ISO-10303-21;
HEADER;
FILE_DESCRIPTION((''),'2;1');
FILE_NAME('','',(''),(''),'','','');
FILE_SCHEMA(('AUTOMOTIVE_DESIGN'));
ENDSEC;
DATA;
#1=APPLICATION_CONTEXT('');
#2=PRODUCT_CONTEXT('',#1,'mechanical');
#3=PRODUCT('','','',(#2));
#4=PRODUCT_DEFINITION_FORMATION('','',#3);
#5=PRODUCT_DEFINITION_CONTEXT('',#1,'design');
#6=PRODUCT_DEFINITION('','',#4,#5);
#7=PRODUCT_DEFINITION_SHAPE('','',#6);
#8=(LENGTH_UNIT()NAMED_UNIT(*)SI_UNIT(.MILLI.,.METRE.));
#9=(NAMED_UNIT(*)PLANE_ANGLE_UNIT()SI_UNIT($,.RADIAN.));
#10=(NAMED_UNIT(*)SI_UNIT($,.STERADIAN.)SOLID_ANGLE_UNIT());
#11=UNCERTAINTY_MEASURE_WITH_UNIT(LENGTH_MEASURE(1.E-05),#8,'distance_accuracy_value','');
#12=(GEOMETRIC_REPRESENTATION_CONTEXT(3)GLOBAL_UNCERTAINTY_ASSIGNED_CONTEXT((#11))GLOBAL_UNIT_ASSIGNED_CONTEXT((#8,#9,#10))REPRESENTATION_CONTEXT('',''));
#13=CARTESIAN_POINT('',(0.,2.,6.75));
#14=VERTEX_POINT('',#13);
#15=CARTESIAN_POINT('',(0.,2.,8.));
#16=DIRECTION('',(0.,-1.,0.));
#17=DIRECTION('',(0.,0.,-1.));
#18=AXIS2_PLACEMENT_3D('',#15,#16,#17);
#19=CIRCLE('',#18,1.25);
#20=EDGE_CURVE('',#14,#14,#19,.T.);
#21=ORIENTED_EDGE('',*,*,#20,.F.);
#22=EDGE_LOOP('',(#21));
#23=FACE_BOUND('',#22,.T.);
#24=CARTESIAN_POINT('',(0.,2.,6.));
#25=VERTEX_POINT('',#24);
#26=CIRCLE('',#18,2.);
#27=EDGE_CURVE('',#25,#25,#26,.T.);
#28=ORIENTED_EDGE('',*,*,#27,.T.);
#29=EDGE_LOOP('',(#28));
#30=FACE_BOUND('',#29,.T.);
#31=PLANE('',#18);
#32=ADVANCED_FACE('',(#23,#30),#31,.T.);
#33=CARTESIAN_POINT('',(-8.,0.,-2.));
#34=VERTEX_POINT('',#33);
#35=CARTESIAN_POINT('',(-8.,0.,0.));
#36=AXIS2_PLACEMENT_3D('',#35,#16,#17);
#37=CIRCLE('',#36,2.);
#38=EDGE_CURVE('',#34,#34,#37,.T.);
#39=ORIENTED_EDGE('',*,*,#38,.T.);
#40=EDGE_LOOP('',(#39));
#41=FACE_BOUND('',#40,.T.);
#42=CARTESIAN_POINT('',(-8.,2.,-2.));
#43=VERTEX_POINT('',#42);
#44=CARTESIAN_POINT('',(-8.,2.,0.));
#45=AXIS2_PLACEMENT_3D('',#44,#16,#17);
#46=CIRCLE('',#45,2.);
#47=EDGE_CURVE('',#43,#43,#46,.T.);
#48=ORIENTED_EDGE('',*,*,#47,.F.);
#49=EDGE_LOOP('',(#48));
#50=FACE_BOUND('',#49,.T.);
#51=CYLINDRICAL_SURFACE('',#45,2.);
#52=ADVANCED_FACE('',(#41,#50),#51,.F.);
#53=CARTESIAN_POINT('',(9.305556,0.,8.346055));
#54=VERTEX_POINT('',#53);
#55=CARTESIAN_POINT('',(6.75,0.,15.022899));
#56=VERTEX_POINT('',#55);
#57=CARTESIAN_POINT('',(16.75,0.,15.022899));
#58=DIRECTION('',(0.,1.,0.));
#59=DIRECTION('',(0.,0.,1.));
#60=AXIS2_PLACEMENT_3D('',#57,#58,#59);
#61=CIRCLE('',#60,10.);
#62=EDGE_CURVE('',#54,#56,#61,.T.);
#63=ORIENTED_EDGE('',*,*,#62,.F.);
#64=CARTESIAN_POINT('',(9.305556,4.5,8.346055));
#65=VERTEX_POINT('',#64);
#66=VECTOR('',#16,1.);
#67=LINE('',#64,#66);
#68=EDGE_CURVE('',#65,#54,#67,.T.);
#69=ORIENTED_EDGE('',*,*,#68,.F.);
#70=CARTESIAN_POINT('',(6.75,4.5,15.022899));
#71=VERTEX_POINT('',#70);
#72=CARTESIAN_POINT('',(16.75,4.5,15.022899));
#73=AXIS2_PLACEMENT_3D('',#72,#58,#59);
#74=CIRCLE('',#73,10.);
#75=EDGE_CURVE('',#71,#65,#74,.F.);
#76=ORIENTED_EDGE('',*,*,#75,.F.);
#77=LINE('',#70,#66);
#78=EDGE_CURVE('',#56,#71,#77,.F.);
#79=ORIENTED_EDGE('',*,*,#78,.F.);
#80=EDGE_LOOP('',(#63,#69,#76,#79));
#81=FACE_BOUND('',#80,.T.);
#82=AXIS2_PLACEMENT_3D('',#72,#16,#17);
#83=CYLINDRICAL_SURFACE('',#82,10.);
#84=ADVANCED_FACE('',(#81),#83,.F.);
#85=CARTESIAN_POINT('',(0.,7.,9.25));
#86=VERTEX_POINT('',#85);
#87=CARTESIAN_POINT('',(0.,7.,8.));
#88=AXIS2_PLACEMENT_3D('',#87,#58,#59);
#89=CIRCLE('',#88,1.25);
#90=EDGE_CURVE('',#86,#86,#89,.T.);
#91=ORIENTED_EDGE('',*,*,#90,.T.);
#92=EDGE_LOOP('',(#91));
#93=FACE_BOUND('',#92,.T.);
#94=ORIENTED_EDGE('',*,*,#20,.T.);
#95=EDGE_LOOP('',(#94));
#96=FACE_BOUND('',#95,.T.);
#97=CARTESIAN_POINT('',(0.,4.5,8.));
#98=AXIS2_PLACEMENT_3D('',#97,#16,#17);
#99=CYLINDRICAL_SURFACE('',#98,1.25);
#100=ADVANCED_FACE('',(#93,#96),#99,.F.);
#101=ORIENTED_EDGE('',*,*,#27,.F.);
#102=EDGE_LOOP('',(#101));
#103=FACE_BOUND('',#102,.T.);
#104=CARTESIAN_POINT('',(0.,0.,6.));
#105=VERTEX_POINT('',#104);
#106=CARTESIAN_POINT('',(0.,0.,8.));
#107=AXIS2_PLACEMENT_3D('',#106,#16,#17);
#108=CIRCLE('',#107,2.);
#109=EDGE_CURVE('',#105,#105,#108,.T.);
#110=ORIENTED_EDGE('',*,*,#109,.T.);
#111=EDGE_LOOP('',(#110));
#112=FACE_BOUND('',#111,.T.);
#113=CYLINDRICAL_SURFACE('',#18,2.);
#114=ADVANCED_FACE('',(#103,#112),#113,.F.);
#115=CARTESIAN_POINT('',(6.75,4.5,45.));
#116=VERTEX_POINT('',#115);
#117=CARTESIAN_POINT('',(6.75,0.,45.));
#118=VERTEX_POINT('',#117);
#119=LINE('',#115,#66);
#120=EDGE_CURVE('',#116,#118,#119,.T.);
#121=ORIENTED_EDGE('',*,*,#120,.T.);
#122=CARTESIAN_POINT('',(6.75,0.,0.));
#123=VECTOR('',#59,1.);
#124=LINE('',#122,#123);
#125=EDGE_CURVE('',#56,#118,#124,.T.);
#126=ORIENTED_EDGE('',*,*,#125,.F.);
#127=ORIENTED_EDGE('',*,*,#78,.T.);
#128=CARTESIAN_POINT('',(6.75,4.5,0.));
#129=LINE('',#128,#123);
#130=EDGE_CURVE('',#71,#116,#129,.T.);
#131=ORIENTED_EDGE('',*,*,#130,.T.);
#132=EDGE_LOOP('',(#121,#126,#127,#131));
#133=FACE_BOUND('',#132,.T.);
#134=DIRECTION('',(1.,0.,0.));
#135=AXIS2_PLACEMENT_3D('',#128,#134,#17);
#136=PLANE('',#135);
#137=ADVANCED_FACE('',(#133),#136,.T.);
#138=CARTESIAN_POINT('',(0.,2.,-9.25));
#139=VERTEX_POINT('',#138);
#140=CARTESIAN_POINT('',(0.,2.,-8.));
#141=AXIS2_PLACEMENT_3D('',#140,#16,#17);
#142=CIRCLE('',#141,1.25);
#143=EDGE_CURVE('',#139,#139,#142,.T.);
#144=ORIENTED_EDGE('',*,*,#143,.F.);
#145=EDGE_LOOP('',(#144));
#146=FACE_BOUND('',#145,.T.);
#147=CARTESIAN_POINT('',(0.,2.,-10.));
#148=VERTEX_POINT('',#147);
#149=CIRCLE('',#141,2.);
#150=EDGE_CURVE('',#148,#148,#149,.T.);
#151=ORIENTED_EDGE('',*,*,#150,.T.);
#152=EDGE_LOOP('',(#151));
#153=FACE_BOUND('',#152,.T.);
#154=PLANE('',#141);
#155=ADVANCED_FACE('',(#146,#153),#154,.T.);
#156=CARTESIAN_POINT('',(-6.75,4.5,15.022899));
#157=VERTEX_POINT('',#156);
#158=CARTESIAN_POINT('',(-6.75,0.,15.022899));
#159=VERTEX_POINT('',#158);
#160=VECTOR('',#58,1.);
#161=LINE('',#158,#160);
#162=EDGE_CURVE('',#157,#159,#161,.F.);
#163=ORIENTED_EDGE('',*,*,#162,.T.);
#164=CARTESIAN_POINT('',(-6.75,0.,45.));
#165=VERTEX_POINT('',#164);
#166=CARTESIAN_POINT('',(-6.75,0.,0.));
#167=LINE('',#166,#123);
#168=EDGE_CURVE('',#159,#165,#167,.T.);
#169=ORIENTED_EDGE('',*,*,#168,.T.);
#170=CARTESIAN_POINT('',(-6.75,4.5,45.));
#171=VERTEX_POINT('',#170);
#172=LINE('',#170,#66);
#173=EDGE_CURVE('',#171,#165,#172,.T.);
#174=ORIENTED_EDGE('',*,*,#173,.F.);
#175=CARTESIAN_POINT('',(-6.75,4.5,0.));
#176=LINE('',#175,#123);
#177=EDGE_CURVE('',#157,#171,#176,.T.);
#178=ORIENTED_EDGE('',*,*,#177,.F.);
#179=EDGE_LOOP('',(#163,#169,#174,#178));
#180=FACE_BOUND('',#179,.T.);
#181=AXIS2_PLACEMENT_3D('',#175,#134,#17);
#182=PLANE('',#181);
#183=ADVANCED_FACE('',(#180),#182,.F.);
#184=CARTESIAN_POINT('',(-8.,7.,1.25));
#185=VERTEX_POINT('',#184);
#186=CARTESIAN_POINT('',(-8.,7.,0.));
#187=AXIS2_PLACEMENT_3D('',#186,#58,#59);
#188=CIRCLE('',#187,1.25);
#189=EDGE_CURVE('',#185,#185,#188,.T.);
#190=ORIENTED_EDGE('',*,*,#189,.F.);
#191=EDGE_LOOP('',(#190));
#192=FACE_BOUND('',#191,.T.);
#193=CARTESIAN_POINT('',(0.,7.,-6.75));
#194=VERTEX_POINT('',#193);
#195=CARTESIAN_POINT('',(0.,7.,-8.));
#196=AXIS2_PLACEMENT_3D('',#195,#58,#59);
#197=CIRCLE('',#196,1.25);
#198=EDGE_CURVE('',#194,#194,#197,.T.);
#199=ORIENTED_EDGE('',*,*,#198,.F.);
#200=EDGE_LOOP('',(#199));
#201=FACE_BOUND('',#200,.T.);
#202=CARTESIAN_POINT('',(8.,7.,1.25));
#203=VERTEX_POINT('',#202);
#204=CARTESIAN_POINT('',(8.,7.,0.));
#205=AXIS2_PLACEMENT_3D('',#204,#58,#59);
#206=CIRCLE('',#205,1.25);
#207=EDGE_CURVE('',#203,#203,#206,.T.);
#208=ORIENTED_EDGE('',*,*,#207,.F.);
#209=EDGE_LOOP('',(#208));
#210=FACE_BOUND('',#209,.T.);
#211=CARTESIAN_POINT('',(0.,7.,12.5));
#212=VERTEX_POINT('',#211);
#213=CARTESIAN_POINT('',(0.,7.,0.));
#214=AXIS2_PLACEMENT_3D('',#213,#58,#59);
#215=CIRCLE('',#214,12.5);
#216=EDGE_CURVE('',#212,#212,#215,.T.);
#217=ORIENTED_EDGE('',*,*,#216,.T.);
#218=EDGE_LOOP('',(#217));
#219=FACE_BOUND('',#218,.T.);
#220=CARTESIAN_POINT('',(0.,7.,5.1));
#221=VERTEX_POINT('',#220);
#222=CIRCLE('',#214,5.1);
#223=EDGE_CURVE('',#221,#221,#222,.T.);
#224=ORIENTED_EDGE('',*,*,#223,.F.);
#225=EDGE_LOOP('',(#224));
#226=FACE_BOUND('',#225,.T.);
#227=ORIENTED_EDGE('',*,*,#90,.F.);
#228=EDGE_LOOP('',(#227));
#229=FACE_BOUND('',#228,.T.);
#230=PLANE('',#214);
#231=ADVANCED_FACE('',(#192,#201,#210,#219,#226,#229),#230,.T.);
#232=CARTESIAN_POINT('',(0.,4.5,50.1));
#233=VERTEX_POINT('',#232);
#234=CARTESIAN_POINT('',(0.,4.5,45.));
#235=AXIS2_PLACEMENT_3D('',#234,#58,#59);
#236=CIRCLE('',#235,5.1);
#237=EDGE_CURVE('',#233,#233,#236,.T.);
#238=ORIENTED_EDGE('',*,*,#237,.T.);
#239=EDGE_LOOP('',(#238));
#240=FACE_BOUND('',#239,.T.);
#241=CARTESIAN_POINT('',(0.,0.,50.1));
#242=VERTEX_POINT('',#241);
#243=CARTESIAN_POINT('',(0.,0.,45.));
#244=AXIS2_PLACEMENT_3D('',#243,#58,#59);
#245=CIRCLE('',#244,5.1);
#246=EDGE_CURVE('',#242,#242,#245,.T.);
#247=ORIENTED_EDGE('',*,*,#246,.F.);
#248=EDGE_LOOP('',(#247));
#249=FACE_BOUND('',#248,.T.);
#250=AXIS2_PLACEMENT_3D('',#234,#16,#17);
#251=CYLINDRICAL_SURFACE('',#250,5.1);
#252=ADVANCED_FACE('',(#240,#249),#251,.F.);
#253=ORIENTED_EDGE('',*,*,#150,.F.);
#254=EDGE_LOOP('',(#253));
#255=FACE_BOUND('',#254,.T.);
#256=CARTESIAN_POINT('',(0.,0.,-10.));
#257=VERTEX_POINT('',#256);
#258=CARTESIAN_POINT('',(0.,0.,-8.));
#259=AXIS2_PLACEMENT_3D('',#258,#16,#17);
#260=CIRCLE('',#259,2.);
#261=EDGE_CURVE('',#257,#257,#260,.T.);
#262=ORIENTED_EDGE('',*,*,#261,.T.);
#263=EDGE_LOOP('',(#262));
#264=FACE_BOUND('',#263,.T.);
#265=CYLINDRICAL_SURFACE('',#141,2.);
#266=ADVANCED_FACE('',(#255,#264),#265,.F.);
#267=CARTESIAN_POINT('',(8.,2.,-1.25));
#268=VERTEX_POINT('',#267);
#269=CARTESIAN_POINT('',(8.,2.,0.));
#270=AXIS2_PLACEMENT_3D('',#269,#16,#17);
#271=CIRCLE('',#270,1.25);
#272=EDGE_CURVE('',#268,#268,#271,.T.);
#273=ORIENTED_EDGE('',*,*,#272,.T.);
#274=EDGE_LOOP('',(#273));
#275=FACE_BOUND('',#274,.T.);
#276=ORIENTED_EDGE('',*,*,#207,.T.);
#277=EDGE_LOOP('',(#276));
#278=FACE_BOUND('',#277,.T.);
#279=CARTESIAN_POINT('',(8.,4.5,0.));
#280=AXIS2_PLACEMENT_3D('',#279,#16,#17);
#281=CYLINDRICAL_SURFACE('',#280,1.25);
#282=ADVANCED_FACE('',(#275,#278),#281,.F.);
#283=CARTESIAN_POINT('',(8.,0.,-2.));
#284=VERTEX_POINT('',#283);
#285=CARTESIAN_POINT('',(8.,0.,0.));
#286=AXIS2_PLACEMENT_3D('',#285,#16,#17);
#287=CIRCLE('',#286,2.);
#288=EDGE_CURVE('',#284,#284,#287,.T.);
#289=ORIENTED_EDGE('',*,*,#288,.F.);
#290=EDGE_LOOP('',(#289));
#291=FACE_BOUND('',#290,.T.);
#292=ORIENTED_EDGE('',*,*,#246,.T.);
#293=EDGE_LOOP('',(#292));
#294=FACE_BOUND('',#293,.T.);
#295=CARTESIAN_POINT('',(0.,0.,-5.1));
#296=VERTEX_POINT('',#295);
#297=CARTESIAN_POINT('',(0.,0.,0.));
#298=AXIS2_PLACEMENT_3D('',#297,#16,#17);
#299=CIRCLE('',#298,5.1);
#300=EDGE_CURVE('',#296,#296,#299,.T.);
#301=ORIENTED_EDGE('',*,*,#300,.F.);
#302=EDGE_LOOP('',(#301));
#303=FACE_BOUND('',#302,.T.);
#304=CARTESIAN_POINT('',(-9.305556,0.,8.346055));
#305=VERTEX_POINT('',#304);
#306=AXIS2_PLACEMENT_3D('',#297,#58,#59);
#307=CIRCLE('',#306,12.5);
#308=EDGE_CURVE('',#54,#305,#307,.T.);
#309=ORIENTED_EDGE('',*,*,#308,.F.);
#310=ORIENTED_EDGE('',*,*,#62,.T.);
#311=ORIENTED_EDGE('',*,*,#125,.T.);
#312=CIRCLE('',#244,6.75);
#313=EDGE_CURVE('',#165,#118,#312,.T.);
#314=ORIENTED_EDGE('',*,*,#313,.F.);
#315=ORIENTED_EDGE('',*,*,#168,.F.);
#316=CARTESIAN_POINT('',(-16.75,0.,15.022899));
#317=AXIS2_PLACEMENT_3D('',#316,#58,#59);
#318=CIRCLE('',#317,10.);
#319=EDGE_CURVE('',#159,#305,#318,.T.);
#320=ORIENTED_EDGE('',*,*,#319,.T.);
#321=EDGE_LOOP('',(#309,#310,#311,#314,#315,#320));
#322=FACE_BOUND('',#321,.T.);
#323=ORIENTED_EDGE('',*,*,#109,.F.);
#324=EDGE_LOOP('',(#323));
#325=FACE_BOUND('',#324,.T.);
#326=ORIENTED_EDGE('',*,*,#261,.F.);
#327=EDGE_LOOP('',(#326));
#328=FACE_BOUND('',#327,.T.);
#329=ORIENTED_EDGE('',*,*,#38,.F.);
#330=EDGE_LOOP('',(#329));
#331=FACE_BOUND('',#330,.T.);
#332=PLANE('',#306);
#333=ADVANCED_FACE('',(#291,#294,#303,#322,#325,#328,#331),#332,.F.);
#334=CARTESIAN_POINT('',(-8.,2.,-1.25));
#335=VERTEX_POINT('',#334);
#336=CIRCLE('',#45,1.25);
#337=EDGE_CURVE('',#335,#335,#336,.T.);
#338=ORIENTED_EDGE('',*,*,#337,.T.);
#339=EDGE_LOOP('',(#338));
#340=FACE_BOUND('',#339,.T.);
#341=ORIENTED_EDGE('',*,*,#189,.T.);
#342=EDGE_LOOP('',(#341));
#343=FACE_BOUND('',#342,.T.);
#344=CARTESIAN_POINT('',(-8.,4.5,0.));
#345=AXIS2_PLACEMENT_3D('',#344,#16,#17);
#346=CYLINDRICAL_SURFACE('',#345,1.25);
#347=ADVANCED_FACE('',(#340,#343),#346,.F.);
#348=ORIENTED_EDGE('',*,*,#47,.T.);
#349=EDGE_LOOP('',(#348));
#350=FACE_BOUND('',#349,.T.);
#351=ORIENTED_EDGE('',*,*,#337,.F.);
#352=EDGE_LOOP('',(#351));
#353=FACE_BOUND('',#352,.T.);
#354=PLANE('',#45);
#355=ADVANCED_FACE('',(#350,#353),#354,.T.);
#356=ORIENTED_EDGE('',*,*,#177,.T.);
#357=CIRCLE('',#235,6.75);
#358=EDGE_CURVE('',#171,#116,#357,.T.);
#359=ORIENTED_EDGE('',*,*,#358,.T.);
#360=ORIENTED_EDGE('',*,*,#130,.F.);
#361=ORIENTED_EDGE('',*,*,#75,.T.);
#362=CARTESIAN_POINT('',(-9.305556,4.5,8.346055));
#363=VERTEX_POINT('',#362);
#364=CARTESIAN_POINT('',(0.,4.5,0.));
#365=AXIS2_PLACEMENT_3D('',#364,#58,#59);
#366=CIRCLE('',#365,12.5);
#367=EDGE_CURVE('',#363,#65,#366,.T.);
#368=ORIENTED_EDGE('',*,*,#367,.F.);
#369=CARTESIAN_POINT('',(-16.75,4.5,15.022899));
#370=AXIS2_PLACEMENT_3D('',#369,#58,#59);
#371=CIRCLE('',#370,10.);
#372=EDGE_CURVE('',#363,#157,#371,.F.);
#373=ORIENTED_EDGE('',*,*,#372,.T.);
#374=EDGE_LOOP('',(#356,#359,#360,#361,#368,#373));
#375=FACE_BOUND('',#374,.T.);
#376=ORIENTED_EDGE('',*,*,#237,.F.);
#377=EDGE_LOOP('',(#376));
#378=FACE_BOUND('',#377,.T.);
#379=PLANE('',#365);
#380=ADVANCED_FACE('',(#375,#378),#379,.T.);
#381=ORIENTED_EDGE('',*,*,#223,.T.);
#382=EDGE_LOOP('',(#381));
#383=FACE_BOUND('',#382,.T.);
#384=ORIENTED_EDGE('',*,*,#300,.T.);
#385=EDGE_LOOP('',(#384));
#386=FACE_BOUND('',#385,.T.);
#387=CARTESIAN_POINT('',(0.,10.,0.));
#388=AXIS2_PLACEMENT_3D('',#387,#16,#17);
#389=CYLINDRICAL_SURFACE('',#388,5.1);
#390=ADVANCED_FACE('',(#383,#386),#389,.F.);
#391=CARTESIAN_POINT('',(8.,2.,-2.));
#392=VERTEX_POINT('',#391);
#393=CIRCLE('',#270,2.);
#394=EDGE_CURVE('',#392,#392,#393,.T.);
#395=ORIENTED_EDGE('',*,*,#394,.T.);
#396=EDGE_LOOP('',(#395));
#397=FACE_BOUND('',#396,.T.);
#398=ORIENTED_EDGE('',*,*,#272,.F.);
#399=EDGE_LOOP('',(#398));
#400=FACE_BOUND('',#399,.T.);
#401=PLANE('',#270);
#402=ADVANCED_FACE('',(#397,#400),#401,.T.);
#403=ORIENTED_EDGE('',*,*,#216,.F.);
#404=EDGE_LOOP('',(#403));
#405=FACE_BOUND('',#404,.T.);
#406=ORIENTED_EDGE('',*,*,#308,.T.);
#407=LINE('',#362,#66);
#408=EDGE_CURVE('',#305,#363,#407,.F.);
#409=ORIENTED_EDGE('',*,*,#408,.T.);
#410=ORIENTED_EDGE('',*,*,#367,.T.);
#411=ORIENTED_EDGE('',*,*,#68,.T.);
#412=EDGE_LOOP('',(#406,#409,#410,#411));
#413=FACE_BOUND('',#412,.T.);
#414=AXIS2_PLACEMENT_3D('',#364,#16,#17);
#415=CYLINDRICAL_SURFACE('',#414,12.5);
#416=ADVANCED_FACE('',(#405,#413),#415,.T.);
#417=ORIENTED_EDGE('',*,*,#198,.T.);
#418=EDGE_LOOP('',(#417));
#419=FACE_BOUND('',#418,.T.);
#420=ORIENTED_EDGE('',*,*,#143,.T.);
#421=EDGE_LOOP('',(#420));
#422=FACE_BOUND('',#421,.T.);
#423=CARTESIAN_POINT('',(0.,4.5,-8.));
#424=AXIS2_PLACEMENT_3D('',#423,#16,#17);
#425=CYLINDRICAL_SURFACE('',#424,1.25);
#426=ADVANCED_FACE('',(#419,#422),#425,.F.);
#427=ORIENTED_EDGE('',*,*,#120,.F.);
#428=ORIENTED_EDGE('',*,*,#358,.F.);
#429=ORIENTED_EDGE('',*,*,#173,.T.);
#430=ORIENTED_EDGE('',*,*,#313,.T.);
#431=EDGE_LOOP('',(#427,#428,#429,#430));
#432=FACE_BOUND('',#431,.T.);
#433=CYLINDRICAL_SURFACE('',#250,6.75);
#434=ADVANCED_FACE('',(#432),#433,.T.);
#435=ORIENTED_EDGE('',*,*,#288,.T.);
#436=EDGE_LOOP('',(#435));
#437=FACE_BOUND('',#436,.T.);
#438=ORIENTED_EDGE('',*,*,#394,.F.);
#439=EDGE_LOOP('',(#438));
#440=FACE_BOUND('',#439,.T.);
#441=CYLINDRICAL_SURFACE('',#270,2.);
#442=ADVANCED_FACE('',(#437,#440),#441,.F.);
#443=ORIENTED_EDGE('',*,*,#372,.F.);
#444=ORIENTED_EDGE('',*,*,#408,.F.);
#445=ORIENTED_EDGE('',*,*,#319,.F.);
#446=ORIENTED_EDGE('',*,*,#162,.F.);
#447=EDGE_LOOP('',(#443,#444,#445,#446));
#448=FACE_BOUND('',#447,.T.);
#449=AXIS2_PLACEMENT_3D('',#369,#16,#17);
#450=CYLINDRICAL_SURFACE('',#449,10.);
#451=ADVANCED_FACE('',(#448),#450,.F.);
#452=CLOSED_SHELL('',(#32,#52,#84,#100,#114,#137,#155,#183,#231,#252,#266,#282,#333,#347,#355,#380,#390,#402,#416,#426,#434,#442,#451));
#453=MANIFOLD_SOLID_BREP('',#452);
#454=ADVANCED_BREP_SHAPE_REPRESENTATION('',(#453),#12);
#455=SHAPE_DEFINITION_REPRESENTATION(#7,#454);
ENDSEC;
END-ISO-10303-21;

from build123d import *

# Parameters (mm, degrees)
SKETCH2_R           = 1.25
SKETCH2_R_2         = 5.1
BOSS_EXTRUDE2_DEPTH = 4.5
FILLET1_R           = 10
SKETCH4_R           = 2
CUT_EXTRUDE1_DEPTH  = 2
SKETCH5_R           = 12.5
SKETCH5_R_2         = 1.25
BOSS_EXTRUDE3_DEPTH = 2.5
SKETCH8_R           = 5.1
CUT_EXTRUDE5_DEPTH  = 10


with BuildPart() as part:
    # Sketch2 → Boss-Extrude2 (new body)
    with BuildSketch(Plane(origin=(0, 0, 0), x_dir=(1, 0, 0), z_dir=(0, 1, 0))):
        with BuildLine():
            Line((6.75, -45), (6.75, -10.520812706))
            ThreePointArc((6.75, -10.520812706), (0, 12.5), (-6.75, -10.520812706))
            Line((-6.75, -10.520812706), (-6.75, -45))
            ThreePointArc((-6.75, -45), (0, -51.75), (6.75, -45))
        make_face()
        with Locations((8, 0)):
            Circle(SKETCH2_R, mode=Mode.SUBTRACT)
        with Locations((0, -8)):
            Circle(SKETCH2_R, mode=Mode.SUBTRACT)
        with Locations((-8, 0)):
            Circle(SKETCH2_R, mode=Mode.SUBTRACT)
        with Locations((0, 8)):
            Circle(SKETCH2_R, mode=Mode.SUBTRACT)
        with Locations((0, -45)):
            Circle(SKETCH2_R_2, mode=Mode.SUBTRACT)
    extrude(amount=BOSS_EXTRUDE2_DEPTH)

    # Fillet1
    fillet1_edges = [part.edges().sort_by_distance(p)[0] for p in [
        (-6.75, 2.25, 10.520812706),
        (6.75, 2.25, 10.520812706),
    ]]
    fillet(fillet1_edges, radius=FILLET1_R)

    # Sketch4 → Cut-Extrude1 (cut)
    with BuildSketch(Plane.XZ):
        with Locations((0, 8)):
            Circle(SKETCH4_R)
        with Locations((-8, 0)):
            Circle(SKETCH4_R)
        with Locations((8, 0)):
            Circle(SKETCH4_R)
        with Locations((0, -8)):
            Circle(SKETCH4_R)
    extrude(amount=-CUT_EXTRUDE1_DEPTH, mode=Mode.SUBTRACT)

    # Sketch5 → Boss-Extrude3 (add)
    with BuildSketch(Plane(origin=(0, 4.5, 0), x_dir=(1, 0, 0), z_dir=(0, 1, 0))):
        Circle(SKETCH5_R)
        with Locations((8, 0)):
            Circle(SKETCH5_R_2, mode=Mode.SUBTRACT)
        with Locations((0, 8)):
            Circle(SKETCH5_R_2, mode=Mode.SUBTRACT)
        with Locations((-8, 0)):
            Circle(SKETCH5_R_2, mode=Mode.SUBTRACT)
        with Locations((0, -8)):
            Circle(SKETCH5_R_2, mode=Mode.SUBTRACT)
    extrude(amount=BOSS_EXTRUDE3_DEPTH)

    # Sketch8 → Cut-Extrude5 (cut)
    with BuildSketch(Plane.XZ):
        Circle(SKETCH8_R)
    extrude(amount=-CUT_EXTRUDE5_DEPTH, mode=Mode.SUBTRACT)


solid = part.part
